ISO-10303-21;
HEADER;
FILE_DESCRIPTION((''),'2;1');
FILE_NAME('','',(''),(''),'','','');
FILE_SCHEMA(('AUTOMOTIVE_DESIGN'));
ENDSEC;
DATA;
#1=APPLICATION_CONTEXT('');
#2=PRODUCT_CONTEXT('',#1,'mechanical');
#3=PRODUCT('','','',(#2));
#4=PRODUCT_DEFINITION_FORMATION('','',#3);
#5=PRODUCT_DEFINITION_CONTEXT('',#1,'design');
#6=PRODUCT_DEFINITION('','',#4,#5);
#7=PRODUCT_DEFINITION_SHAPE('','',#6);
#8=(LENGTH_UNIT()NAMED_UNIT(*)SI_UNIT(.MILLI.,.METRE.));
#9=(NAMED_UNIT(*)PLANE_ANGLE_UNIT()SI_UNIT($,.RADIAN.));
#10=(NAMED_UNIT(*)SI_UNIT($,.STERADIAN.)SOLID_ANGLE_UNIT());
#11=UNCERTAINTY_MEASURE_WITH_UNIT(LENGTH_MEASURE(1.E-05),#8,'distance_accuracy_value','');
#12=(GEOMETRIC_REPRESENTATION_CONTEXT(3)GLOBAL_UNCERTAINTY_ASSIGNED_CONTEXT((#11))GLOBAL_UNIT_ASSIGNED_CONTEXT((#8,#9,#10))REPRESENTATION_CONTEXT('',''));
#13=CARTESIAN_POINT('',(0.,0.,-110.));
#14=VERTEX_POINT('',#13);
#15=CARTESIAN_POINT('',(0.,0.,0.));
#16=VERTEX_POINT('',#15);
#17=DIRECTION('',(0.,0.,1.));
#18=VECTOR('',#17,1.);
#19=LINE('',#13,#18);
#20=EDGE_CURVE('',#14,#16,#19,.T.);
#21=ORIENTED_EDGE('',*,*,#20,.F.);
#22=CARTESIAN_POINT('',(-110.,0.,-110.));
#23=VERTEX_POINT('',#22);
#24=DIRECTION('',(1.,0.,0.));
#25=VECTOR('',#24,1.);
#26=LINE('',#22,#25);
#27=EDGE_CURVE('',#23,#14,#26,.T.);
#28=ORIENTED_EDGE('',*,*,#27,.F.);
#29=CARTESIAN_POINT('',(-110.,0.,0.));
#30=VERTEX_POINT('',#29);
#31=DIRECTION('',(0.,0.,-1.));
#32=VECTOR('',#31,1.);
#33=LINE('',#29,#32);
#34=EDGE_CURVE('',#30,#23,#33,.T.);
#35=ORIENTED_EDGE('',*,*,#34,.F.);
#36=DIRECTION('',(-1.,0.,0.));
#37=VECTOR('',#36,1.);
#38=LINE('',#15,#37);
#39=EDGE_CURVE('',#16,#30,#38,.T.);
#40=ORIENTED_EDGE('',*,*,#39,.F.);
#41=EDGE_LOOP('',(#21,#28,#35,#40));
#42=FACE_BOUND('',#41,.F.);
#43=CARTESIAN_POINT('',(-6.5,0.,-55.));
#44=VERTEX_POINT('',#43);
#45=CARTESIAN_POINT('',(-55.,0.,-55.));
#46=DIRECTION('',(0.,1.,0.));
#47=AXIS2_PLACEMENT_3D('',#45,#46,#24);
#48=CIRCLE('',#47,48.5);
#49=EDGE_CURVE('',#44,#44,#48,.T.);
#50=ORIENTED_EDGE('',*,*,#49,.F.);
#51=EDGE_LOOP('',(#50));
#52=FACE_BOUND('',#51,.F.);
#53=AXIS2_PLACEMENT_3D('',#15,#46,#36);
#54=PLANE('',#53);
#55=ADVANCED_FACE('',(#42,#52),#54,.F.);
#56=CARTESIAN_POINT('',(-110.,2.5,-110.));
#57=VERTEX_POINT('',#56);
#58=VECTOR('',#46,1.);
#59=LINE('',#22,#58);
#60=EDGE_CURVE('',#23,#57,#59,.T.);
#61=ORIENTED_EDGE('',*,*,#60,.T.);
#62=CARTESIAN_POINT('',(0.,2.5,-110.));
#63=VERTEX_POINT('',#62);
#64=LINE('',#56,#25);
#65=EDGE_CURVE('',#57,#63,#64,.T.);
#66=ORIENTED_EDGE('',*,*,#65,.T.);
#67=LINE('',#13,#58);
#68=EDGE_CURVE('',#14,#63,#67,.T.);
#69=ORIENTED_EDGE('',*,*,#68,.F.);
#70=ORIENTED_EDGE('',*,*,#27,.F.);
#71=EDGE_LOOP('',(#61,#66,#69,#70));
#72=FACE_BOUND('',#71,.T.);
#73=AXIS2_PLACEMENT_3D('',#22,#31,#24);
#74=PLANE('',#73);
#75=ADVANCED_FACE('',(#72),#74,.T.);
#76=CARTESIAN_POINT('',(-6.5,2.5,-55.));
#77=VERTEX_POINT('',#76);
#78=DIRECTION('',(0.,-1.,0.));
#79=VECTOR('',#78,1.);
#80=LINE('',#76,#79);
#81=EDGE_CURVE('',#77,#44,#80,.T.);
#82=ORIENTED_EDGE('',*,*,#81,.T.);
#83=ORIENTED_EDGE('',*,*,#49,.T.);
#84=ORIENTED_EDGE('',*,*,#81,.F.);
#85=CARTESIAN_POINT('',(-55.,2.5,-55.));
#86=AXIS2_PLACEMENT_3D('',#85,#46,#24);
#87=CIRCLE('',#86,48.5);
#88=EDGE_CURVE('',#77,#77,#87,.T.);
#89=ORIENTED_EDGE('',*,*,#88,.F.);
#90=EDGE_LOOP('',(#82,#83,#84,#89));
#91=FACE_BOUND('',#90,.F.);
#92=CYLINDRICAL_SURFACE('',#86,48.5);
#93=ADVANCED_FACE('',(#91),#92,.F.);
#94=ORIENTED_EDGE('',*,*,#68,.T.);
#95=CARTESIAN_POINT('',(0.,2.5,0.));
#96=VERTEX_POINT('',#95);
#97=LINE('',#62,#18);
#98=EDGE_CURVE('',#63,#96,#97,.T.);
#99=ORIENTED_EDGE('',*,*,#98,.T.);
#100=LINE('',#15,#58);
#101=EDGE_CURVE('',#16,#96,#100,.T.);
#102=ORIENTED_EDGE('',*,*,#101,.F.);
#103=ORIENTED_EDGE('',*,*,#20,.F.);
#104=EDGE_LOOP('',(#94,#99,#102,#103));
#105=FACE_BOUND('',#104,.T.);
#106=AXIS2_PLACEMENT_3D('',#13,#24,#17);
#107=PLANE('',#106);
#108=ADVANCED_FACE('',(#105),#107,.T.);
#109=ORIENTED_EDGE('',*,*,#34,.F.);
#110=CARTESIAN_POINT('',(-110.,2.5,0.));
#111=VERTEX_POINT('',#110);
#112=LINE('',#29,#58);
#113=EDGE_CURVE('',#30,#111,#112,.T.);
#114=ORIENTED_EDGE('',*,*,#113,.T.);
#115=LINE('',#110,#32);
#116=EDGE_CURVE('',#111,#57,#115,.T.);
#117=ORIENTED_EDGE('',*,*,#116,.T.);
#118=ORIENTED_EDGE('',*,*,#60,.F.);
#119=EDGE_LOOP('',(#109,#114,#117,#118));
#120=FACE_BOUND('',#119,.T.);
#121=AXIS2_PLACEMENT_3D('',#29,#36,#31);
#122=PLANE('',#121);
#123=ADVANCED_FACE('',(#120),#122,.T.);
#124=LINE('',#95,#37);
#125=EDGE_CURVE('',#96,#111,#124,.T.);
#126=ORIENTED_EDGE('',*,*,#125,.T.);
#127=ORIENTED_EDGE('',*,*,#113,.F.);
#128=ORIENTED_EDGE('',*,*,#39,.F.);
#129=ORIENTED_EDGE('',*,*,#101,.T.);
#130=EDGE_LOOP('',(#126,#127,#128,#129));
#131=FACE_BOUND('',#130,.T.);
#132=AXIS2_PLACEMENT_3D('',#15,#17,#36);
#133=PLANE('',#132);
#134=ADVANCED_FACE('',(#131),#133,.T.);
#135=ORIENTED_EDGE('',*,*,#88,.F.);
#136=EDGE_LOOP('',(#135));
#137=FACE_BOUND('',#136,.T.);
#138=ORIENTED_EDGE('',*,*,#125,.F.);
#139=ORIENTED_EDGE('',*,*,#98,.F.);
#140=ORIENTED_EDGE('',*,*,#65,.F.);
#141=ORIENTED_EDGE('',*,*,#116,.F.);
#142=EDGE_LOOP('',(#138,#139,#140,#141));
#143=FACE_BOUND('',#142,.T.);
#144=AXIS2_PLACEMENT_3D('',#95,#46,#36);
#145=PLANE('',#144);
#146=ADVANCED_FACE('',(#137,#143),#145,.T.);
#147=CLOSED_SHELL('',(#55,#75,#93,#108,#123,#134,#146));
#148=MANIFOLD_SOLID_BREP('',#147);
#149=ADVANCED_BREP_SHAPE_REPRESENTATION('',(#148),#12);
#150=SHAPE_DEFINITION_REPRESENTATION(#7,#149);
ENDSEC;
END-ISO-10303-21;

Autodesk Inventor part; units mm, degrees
ref_plane "YZ Plane" through (0, 0, 0) normal (1, 0, 0) x (0, 1, 0)
ref_plane "XZ Plane" through (0, 0, 0) normal (0, 1, 0) x (-1, 0, 0)
ref_plane "XY Plane" through (0, 0, 0) normal (0, 0, 1) x (1, 0, 0)
sketch "Sketch1" plane through (0, 0, 0) normal (0, 1, 0) x (-1, 0, 0)
  line L0 (0, 0) -> (110, 0)
  line L1 (110, 0) -> (110, -110)
  line L2 (110, -110) -> (0, -110)
  line L3 (0, -110) -> (0, 0)
  dimension "d0" = 110
  dimension "d1" = 110
extrude "Extrusion1" add sketch "Sketch1" along normal blind 2.5
sketch "Sketch2" plane through (0, 2.5, 0) normal (0, 1, 0) x (1, 0, 0)
  line L0 (-110, 110) -> (-110, 0) projected
  line L1 (-110, 0) -> (0, 0) projected
  circle A0 centre (-55, 55) radius 48.5
extrude "Extrusion2" cut sketch "Sketch2" against normal blind 2.5
properties part number "AdapterRing"
